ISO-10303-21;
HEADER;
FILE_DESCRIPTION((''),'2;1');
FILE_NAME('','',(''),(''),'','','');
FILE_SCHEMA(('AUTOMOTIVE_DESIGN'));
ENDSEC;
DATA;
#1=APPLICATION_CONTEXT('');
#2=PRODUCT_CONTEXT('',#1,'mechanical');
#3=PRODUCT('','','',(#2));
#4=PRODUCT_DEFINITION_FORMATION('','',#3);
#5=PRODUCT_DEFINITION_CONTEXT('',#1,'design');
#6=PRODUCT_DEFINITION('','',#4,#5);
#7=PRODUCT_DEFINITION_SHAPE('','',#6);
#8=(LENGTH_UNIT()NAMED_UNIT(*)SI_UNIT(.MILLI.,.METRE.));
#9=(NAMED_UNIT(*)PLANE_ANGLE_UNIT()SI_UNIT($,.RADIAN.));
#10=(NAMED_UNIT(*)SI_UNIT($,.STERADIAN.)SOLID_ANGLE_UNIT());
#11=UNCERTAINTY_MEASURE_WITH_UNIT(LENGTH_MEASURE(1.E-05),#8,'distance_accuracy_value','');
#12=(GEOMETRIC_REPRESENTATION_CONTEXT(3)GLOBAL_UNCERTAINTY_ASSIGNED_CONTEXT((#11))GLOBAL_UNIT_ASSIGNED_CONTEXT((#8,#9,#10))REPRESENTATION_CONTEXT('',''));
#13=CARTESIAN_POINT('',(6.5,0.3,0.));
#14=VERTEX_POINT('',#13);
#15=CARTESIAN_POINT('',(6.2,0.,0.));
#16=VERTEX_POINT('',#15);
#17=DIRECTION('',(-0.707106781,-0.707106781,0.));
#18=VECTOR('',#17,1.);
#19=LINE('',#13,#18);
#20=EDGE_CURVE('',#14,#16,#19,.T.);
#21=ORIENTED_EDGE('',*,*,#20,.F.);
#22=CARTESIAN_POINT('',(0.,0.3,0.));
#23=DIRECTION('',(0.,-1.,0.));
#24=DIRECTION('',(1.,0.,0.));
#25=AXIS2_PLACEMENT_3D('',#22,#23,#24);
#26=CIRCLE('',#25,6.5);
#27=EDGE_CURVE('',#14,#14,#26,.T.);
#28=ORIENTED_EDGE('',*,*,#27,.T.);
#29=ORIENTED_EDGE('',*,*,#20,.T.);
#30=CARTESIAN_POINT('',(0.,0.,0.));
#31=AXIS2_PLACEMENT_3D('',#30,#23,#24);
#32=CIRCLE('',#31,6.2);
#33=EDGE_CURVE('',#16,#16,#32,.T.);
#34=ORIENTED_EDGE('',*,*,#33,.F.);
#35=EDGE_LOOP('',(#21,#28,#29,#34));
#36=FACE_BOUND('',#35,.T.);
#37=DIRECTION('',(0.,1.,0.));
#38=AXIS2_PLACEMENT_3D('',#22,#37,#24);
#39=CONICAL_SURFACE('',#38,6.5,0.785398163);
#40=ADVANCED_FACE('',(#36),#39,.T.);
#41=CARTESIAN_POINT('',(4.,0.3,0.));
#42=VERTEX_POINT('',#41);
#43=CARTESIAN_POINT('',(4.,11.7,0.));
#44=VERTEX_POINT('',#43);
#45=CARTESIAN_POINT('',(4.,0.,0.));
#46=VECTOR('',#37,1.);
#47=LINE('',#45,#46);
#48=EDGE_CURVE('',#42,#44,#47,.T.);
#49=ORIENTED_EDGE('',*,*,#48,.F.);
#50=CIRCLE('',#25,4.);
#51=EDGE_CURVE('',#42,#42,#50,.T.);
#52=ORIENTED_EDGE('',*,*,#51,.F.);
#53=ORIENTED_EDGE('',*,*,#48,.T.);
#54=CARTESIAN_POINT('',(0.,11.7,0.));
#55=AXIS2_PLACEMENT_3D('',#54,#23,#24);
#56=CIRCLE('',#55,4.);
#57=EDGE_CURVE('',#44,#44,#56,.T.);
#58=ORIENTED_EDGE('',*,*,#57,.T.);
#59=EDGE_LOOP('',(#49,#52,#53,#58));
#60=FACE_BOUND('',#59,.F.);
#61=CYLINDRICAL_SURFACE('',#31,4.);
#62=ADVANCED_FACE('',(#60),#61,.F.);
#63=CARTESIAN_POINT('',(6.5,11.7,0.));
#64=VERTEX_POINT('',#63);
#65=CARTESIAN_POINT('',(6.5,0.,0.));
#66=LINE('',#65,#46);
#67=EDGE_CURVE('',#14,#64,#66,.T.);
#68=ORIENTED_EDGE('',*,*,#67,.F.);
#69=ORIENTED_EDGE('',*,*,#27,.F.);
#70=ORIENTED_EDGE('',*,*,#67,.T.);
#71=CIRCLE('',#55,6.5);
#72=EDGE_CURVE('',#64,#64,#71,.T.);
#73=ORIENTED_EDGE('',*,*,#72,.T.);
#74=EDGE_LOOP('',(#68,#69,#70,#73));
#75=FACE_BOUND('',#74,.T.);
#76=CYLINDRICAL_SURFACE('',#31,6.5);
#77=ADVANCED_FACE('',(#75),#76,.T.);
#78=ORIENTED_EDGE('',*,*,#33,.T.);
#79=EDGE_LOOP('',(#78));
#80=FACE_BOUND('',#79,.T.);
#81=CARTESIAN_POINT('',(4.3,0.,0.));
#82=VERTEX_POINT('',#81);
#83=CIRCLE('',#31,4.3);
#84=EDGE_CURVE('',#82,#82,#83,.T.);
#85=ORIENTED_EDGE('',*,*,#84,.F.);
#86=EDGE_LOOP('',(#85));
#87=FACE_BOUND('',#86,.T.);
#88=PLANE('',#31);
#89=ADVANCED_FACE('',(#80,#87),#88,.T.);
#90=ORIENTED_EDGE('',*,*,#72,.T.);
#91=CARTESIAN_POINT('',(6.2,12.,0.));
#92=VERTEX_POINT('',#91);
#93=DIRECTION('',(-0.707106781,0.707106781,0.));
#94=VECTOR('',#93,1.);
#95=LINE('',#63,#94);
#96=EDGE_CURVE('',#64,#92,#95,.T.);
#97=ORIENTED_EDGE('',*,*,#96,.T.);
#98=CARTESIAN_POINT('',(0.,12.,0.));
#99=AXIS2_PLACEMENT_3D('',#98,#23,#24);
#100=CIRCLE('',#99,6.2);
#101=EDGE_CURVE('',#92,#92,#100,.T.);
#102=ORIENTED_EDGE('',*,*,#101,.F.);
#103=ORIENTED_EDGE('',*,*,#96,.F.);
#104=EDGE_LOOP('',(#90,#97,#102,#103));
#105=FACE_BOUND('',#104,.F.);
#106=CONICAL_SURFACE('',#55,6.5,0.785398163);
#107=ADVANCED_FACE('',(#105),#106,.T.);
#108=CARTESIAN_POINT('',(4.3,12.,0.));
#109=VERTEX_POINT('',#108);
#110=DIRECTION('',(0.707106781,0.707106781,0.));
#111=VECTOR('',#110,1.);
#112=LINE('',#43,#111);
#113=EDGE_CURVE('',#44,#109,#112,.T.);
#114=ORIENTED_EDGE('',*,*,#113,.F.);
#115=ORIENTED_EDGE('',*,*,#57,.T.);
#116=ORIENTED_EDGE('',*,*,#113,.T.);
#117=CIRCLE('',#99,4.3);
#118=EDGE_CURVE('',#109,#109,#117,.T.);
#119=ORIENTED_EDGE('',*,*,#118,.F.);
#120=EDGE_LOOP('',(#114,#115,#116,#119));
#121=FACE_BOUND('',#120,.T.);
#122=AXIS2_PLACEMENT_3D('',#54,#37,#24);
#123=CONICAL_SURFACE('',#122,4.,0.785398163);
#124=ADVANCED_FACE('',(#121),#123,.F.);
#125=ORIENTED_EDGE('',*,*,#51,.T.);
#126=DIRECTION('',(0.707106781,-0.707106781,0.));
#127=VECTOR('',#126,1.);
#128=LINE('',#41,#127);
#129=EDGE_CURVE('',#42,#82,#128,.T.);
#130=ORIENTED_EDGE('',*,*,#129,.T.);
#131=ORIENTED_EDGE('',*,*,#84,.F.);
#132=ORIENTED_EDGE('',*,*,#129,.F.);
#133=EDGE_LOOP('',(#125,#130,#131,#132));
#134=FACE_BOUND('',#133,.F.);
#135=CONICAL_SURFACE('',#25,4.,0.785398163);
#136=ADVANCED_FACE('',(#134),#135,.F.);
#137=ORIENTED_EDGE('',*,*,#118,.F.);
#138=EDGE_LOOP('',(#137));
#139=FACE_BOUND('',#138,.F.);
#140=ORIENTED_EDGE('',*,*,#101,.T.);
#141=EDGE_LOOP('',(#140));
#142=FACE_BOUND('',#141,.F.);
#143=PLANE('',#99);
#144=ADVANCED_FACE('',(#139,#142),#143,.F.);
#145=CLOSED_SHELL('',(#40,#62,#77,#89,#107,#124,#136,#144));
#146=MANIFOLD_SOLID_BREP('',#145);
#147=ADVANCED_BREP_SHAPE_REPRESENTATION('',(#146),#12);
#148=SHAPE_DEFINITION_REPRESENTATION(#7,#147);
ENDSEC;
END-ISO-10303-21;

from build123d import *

# Parameters (mm, degrees)
F0_R     = 6.5
F0_R_2   = 4
F1_DEPTH = 12
F2_SIZE  = 0.3


with BuildPart() as f1:
    # F0 (on Front) → F1 (new body)
    with BuildSketch(Plane.XZ):
        Circle(F0_R)
        Circle(F0_R_2, mode=Mode.SUBTRACT)
    extrude(amount=-F1_DEPTH)

    # F2
    f2_edges = [f1.edges().sort_by_distance(p)[0] for p in [
        (-6.5, 0, 0),
        (-6.5, 12, 0),
        (-4, 0, 0),
        (-4, 12, 0),
    ]]
    chamfer(f2_edges, length=F2_SIZE)


solid = f1.part
